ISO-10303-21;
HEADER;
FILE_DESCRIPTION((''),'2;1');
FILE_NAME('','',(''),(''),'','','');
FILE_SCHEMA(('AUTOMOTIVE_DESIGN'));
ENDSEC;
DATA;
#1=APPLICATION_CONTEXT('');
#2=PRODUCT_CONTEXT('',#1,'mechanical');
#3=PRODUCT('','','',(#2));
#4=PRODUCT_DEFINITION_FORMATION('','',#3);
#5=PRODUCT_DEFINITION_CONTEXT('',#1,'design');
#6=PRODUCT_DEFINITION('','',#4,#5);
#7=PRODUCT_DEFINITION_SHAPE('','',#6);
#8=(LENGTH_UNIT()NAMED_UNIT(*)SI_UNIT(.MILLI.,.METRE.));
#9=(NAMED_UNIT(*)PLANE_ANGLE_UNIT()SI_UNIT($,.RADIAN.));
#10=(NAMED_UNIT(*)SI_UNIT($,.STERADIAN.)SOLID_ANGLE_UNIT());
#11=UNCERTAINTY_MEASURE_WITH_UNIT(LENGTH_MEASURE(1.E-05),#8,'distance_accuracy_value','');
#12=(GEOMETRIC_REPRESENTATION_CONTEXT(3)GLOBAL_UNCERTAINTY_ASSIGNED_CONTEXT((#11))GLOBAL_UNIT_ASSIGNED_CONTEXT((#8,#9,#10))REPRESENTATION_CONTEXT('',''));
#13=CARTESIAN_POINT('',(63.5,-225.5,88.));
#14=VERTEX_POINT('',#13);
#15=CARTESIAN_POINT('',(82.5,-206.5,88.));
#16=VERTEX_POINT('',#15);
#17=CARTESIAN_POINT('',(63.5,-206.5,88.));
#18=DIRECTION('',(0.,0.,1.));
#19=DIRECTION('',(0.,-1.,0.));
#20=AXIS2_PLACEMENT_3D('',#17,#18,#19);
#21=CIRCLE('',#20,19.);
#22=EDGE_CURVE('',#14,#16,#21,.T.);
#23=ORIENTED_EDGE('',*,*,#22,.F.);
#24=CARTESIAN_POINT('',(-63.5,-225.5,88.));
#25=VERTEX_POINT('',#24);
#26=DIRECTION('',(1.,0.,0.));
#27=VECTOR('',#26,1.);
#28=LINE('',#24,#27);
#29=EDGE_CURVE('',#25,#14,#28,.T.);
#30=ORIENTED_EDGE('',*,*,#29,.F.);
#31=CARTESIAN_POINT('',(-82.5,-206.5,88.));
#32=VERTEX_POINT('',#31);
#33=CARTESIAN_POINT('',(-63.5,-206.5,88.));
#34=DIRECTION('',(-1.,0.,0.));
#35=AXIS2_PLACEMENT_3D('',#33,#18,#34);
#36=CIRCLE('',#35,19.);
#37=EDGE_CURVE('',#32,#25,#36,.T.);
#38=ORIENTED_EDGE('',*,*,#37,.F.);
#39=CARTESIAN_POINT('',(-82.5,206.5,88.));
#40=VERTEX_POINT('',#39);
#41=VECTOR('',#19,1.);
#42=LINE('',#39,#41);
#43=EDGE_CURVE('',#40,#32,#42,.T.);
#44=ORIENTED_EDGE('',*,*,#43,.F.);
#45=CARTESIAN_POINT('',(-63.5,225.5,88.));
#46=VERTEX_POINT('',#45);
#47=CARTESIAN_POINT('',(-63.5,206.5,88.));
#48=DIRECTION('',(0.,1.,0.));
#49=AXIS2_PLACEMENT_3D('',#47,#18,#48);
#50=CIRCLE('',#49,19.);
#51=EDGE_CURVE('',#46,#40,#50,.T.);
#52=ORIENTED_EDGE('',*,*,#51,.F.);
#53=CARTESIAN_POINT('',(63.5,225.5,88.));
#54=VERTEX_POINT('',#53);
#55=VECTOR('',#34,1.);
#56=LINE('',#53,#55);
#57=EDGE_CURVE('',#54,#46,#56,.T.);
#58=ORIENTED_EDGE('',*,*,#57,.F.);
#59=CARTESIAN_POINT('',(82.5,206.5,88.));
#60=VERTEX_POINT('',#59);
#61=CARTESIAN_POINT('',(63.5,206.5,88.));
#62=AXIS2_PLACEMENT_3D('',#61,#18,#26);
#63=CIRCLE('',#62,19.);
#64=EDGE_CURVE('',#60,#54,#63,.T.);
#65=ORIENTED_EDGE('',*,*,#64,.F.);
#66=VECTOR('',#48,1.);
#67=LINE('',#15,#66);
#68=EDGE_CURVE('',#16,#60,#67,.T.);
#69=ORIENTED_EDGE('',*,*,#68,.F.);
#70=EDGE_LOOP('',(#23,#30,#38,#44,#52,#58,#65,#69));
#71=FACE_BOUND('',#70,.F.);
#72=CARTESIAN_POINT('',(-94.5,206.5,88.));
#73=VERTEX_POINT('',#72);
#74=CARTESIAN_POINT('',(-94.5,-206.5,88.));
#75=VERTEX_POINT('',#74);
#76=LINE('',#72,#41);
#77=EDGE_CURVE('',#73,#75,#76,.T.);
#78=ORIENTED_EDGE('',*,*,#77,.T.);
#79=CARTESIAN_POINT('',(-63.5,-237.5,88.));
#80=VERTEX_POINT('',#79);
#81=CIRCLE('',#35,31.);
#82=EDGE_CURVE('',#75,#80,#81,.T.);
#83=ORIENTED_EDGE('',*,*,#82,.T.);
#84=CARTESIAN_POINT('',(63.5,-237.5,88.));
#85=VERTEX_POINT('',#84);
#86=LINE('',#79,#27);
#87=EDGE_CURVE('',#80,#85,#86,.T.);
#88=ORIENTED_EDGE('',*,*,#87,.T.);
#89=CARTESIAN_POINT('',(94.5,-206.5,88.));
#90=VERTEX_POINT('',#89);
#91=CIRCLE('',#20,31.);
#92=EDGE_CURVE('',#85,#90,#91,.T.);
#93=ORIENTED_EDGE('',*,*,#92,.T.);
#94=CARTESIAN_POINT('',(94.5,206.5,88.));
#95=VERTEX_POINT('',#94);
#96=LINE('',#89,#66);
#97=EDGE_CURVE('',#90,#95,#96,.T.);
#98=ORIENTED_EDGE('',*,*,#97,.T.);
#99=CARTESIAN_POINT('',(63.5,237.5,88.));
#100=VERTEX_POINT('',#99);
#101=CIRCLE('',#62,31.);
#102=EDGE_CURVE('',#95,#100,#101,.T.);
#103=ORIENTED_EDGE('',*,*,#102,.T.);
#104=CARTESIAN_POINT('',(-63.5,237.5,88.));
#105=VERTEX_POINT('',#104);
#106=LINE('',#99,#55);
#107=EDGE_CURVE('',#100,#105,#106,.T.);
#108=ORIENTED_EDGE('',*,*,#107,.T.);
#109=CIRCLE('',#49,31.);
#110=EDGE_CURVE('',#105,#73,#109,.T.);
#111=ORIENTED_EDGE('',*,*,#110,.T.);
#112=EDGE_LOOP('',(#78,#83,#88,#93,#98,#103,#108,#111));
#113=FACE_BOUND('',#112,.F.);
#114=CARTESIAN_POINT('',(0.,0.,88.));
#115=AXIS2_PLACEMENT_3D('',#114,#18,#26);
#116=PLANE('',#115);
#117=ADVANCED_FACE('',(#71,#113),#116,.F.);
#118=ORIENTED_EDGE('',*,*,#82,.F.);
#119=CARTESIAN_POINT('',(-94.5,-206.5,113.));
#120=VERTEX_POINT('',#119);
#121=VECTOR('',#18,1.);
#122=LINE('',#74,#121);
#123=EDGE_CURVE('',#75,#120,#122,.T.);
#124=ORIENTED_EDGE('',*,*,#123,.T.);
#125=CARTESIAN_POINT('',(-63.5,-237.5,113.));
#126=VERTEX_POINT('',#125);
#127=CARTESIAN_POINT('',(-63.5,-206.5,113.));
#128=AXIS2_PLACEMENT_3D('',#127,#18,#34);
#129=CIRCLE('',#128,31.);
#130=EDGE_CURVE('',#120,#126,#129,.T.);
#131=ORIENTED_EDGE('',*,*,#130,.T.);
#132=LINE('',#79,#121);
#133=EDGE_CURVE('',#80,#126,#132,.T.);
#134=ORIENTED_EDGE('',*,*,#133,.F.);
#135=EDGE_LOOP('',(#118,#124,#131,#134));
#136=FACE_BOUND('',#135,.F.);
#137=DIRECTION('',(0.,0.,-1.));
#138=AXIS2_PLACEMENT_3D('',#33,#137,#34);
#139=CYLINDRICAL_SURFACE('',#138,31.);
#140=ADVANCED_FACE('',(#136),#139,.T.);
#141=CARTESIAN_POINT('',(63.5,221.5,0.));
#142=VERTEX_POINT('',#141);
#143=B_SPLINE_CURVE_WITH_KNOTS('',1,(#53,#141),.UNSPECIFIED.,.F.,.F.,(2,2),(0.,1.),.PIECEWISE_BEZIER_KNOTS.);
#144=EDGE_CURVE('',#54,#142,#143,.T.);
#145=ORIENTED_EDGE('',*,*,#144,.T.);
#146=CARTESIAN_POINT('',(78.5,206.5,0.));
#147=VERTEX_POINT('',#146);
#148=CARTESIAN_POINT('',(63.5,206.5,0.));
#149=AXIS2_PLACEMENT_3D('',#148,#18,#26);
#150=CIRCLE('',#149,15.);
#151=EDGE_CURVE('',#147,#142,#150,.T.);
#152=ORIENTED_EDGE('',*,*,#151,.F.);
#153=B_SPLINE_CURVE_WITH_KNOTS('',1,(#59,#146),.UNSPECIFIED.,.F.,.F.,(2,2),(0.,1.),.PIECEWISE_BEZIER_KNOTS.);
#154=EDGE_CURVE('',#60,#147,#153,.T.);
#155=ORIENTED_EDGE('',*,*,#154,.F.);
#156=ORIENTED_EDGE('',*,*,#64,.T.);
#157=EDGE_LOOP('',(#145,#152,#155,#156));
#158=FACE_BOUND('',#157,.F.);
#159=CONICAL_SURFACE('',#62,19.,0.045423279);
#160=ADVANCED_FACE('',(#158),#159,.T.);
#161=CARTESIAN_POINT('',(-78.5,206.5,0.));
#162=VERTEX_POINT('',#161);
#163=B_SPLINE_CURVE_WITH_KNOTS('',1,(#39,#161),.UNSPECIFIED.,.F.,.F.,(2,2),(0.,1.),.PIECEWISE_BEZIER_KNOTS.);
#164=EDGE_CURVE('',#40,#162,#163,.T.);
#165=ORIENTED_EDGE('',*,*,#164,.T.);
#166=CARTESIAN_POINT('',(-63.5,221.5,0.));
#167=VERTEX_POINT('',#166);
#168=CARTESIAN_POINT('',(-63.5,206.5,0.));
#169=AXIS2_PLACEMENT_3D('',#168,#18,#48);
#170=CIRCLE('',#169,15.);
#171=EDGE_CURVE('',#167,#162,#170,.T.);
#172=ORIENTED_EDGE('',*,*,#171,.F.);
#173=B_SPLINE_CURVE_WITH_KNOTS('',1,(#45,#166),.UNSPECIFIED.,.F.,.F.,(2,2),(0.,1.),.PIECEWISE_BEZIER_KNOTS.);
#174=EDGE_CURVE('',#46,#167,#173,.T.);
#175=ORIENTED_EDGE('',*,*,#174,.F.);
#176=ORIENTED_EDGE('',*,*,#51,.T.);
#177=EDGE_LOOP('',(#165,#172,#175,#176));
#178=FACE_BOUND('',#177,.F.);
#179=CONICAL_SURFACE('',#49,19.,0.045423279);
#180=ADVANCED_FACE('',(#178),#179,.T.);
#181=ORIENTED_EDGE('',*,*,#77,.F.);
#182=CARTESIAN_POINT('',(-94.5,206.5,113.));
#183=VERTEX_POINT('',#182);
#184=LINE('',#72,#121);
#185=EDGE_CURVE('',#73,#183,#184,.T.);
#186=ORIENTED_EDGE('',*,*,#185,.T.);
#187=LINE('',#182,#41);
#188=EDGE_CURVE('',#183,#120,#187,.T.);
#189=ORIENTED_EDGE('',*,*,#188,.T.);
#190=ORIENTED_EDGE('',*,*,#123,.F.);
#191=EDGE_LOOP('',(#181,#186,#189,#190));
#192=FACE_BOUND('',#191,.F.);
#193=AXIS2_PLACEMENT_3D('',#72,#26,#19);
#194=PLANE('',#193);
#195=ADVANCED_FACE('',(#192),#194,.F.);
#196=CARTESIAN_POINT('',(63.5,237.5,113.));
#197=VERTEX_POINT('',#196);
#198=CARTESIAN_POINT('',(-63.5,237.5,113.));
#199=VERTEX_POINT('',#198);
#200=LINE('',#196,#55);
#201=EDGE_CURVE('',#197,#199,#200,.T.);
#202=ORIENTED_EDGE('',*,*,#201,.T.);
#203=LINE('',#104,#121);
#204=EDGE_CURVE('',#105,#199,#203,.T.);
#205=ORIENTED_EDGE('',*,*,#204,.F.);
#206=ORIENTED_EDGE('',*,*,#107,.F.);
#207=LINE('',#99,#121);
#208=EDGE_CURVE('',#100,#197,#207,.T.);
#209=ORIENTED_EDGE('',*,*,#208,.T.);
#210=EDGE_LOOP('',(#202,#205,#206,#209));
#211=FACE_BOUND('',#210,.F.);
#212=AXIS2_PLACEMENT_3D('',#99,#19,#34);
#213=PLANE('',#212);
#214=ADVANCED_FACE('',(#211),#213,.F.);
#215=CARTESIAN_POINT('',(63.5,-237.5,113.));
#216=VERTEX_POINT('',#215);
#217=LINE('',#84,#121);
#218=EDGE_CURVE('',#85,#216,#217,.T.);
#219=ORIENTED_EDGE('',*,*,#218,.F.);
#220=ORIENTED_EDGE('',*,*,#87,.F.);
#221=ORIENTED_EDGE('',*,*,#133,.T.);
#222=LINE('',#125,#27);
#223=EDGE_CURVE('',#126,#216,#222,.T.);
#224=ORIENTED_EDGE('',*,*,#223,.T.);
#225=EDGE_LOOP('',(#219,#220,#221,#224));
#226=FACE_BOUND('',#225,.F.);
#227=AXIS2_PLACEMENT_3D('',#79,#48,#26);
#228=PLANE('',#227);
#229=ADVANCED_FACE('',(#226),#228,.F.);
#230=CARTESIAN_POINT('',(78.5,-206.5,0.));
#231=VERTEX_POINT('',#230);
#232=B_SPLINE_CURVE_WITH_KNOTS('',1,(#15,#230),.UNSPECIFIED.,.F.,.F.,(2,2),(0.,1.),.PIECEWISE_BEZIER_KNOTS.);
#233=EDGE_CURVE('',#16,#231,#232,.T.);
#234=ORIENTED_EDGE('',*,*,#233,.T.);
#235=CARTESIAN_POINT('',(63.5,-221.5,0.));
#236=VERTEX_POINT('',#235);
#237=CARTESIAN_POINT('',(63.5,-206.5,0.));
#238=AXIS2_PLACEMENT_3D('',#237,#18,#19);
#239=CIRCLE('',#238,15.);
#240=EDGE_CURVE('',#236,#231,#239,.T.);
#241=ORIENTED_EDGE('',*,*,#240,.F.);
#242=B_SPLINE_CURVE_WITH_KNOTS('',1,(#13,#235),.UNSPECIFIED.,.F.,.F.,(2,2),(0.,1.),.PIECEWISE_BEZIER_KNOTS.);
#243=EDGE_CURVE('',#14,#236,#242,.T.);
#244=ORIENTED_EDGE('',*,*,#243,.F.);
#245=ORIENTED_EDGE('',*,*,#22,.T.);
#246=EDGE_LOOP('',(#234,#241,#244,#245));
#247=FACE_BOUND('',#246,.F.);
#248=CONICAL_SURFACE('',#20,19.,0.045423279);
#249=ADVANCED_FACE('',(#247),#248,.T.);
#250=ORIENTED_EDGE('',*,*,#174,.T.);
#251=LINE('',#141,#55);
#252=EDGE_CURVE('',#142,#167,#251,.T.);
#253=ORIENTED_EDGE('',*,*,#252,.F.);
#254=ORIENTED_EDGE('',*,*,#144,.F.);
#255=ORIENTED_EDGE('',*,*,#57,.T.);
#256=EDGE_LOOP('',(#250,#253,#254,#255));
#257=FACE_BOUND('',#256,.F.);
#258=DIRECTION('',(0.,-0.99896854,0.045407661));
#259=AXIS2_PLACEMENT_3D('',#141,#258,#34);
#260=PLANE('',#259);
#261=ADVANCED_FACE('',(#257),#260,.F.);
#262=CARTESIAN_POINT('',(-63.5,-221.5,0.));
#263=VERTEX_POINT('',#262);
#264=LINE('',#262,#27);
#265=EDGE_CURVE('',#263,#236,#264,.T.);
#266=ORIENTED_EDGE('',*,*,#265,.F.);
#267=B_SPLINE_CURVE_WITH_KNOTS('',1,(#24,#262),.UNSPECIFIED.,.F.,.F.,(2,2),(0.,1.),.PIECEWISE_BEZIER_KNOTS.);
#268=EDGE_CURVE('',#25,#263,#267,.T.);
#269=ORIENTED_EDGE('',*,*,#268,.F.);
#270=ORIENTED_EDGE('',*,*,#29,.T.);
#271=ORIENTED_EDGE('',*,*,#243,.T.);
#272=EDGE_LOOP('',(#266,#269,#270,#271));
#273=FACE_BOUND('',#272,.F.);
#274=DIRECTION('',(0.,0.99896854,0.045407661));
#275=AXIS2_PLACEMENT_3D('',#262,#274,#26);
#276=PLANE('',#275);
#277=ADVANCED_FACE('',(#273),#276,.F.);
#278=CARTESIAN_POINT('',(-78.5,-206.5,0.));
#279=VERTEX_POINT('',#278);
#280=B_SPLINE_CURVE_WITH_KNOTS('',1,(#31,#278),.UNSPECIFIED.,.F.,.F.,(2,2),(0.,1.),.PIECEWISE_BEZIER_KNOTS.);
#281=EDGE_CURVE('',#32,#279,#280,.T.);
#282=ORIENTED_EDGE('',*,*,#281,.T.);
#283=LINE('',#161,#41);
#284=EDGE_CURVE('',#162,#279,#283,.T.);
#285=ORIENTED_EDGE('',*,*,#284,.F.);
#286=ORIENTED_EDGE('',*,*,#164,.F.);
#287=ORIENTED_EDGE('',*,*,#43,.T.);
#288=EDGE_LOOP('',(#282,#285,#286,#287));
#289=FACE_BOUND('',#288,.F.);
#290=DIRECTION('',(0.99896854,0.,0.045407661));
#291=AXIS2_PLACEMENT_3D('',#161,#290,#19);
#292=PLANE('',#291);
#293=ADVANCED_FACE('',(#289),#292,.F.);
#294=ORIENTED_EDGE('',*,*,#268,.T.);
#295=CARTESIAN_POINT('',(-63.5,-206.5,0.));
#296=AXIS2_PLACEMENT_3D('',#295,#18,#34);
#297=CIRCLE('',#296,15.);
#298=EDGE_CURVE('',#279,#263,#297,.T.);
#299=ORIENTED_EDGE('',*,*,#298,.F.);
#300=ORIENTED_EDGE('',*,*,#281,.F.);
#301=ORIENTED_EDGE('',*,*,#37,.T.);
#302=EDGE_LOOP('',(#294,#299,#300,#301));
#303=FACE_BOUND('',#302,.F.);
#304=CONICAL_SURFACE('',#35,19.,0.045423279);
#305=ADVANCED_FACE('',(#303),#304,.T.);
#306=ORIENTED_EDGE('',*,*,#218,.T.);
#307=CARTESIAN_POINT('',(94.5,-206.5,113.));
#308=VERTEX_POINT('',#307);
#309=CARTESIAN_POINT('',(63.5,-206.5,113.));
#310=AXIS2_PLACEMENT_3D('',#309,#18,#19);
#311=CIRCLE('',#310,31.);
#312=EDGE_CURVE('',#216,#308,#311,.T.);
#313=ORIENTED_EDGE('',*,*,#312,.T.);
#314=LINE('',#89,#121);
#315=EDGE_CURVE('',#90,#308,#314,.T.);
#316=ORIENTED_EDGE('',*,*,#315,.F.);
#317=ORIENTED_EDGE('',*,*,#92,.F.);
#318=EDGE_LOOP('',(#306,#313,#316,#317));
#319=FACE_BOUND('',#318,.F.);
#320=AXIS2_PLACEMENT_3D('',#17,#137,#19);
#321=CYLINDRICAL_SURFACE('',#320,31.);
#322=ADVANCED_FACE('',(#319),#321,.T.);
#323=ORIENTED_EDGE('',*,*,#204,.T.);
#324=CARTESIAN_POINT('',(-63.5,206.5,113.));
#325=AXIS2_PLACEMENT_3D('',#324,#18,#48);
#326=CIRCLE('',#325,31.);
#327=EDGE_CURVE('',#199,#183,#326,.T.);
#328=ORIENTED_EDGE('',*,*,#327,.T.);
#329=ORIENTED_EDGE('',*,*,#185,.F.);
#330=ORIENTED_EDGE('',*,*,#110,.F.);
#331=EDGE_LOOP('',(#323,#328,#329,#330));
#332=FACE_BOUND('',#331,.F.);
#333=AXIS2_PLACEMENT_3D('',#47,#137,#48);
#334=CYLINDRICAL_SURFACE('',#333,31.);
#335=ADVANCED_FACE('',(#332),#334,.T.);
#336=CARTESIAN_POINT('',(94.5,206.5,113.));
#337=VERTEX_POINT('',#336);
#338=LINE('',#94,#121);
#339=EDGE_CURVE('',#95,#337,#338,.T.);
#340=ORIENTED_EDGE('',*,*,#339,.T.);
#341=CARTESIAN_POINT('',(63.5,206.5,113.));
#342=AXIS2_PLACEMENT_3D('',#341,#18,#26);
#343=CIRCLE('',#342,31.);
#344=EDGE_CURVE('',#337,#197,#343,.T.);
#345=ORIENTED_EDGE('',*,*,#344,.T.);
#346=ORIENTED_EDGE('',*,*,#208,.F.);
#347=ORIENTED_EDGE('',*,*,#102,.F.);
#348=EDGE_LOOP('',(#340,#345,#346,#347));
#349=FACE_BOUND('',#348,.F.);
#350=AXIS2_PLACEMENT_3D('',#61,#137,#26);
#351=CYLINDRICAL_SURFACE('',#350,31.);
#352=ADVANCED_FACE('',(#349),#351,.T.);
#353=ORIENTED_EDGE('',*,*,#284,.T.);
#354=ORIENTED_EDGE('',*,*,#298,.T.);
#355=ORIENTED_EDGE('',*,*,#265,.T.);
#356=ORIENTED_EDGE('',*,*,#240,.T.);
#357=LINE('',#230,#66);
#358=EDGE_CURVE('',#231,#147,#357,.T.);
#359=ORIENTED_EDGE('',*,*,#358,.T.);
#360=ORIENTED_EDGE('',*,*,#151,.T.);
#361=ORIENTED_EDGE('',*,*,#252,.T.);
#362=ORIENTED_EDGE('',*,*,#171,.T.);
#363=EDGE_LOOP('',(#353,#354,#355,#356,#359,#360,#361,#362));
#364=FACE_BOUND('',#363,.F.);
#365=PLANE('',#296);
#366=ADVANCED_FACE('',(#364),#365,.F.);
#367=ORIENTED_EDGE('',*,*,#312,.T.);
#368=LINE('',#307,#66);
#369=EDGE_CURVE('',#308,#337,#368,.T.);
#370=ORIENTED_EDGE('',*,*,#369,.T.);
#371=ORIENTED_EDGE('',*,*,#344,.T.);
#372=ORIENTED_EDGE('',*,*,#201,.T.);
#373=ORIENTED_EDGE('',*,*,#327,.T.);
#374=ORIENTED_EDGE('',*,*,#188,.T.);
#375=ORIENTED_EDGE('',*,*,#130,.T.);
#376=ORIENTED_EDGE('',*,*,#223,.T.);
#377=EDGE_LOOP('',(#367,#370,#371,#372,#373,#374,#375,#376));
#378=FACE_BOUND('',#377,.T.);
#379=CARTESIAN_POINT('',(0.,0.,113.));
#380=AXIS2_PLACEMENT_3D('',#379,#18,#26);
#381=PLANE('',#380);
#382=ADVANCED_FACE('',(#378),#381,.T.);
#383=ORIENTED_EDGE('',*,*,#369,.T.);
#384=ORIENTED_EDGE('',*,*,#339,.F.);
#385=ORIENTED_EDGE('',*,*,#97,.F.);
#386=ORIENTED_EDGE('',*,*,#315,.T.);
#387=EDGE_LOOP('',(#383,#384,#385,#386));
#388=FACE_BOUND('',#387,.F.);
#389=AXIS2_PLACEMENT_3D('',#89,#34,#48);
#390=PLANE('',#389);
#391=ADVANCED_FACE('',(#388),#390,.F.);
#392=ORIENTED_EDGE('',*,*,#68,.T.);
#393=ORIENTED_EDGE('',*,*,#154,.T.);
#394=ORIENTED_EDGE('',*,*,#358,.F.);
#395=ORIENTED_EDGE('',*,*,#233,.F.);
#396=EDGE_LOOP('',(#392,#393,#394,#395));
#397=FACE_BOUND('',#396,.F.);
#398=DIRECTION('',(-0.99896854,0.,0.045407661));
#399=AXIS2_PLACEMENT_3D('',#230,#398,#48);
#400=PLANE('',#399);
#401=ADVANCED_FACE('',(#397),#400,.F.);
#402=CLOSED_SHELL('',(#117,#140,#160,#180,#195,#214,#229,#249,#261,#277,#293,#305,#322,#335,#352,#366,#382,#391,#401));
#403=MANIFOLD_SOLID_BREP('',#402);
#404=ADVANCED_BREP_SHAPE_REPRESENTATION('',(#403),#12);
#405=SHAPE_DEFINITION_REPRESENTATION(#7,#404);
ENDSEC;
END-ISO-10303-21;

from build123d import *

# Parameters (mm, degrees)
F5_DEPTH = 25


with BuildPart() as f3:
    # F2 (on offset) → F3 section 0
    with BuildSketch(Plane.XY.offset(88)):
        with BuildLine():
            Line((-82.5, 206.5), (-82.5, -206.5))
            ThreePointArc((-82.5, -206.5), (-76.9350288425, -219.9350288425), (-63.5, -225.5))
            Line((-63.5, -225.5), (63.5, -225.5))
            ThreePointArc((63.5, -225.5), (76.9350288425, -219.9350288425), (82.5, -206.5))
            Line((82.5, -206.5), (82.5, 206.5))
            ThreePointArc((82.5, 206.5), (76.9350288425, 219.9350288425), (63.5, 225.5))
            Line((63.5, 225.5), (-63.5, 225.5))
            ThreePointArc((-63.5, 225.5), (-76.9350288425, 219.9350288425), (-82.5, 206.5))
        make_face()
    # F0 (on Top) → F3 section 1
    with BuildSketch(Plane.XY):
        with BuildLine():
            ThreePointArc((78.5, 206.5), (74.1066017178, 217.1066017178), (63.5, 221.5))
            Line((63.5, 221.5), (-63.5, 221.5))
            ThreePointArc((-63.5, 221.5), (-74.1066017178, 217.1066017178), (-78.5, 206.5))
            Line((-78.5, 206.5), (-78.5, -206.5))
            ThreePointArc((-78.5, -206.5), (-74.1066017178, -217.1066017178), (-63.5, -221.5))
            Line((-63.5, -221.5), (63.5, -221.5))
            ThreePointArc((63.5, -221.5), (74.1066017178, -217.1066017178), (78.5, -206.5))
            Line((78.5, -206.5), (78.5, 206.5))
        make_face()
    loft()

    # F4 (on face) → F5 (join)
    with BuildSketch(Plane.XY.offset(88)):
        with BuildLine():
            Line((63.5, 237.5), (-63.5, 237.5))
            ThreePointArc((-63.5, 237.5), (-85.4203102168, 228.4203102168), (-94.5, 206.5))
            Line((-94.5, 206.5), (-94.5, -206.5))
            ThreePointArc((-94.5, -206.5), (-85.4203102168, -228.4203102168), (-63.5, -237.5))
            Line((-63.5, -237.5), (63.5, -237.5))
            ThreePointArc((63.5, -237.5), (85.4203102168, -228.4203102168), (94.5, -206.5))
            Line((94.5, -206.5), (94.5, 206.5))
            ThreePointArc((94.5, 206.5), (85.4203102168, 228.4203102168), (63.5, 237.5))
        make_face()
    extrude(amount=F5_DEPTH)


solid = f3.part
